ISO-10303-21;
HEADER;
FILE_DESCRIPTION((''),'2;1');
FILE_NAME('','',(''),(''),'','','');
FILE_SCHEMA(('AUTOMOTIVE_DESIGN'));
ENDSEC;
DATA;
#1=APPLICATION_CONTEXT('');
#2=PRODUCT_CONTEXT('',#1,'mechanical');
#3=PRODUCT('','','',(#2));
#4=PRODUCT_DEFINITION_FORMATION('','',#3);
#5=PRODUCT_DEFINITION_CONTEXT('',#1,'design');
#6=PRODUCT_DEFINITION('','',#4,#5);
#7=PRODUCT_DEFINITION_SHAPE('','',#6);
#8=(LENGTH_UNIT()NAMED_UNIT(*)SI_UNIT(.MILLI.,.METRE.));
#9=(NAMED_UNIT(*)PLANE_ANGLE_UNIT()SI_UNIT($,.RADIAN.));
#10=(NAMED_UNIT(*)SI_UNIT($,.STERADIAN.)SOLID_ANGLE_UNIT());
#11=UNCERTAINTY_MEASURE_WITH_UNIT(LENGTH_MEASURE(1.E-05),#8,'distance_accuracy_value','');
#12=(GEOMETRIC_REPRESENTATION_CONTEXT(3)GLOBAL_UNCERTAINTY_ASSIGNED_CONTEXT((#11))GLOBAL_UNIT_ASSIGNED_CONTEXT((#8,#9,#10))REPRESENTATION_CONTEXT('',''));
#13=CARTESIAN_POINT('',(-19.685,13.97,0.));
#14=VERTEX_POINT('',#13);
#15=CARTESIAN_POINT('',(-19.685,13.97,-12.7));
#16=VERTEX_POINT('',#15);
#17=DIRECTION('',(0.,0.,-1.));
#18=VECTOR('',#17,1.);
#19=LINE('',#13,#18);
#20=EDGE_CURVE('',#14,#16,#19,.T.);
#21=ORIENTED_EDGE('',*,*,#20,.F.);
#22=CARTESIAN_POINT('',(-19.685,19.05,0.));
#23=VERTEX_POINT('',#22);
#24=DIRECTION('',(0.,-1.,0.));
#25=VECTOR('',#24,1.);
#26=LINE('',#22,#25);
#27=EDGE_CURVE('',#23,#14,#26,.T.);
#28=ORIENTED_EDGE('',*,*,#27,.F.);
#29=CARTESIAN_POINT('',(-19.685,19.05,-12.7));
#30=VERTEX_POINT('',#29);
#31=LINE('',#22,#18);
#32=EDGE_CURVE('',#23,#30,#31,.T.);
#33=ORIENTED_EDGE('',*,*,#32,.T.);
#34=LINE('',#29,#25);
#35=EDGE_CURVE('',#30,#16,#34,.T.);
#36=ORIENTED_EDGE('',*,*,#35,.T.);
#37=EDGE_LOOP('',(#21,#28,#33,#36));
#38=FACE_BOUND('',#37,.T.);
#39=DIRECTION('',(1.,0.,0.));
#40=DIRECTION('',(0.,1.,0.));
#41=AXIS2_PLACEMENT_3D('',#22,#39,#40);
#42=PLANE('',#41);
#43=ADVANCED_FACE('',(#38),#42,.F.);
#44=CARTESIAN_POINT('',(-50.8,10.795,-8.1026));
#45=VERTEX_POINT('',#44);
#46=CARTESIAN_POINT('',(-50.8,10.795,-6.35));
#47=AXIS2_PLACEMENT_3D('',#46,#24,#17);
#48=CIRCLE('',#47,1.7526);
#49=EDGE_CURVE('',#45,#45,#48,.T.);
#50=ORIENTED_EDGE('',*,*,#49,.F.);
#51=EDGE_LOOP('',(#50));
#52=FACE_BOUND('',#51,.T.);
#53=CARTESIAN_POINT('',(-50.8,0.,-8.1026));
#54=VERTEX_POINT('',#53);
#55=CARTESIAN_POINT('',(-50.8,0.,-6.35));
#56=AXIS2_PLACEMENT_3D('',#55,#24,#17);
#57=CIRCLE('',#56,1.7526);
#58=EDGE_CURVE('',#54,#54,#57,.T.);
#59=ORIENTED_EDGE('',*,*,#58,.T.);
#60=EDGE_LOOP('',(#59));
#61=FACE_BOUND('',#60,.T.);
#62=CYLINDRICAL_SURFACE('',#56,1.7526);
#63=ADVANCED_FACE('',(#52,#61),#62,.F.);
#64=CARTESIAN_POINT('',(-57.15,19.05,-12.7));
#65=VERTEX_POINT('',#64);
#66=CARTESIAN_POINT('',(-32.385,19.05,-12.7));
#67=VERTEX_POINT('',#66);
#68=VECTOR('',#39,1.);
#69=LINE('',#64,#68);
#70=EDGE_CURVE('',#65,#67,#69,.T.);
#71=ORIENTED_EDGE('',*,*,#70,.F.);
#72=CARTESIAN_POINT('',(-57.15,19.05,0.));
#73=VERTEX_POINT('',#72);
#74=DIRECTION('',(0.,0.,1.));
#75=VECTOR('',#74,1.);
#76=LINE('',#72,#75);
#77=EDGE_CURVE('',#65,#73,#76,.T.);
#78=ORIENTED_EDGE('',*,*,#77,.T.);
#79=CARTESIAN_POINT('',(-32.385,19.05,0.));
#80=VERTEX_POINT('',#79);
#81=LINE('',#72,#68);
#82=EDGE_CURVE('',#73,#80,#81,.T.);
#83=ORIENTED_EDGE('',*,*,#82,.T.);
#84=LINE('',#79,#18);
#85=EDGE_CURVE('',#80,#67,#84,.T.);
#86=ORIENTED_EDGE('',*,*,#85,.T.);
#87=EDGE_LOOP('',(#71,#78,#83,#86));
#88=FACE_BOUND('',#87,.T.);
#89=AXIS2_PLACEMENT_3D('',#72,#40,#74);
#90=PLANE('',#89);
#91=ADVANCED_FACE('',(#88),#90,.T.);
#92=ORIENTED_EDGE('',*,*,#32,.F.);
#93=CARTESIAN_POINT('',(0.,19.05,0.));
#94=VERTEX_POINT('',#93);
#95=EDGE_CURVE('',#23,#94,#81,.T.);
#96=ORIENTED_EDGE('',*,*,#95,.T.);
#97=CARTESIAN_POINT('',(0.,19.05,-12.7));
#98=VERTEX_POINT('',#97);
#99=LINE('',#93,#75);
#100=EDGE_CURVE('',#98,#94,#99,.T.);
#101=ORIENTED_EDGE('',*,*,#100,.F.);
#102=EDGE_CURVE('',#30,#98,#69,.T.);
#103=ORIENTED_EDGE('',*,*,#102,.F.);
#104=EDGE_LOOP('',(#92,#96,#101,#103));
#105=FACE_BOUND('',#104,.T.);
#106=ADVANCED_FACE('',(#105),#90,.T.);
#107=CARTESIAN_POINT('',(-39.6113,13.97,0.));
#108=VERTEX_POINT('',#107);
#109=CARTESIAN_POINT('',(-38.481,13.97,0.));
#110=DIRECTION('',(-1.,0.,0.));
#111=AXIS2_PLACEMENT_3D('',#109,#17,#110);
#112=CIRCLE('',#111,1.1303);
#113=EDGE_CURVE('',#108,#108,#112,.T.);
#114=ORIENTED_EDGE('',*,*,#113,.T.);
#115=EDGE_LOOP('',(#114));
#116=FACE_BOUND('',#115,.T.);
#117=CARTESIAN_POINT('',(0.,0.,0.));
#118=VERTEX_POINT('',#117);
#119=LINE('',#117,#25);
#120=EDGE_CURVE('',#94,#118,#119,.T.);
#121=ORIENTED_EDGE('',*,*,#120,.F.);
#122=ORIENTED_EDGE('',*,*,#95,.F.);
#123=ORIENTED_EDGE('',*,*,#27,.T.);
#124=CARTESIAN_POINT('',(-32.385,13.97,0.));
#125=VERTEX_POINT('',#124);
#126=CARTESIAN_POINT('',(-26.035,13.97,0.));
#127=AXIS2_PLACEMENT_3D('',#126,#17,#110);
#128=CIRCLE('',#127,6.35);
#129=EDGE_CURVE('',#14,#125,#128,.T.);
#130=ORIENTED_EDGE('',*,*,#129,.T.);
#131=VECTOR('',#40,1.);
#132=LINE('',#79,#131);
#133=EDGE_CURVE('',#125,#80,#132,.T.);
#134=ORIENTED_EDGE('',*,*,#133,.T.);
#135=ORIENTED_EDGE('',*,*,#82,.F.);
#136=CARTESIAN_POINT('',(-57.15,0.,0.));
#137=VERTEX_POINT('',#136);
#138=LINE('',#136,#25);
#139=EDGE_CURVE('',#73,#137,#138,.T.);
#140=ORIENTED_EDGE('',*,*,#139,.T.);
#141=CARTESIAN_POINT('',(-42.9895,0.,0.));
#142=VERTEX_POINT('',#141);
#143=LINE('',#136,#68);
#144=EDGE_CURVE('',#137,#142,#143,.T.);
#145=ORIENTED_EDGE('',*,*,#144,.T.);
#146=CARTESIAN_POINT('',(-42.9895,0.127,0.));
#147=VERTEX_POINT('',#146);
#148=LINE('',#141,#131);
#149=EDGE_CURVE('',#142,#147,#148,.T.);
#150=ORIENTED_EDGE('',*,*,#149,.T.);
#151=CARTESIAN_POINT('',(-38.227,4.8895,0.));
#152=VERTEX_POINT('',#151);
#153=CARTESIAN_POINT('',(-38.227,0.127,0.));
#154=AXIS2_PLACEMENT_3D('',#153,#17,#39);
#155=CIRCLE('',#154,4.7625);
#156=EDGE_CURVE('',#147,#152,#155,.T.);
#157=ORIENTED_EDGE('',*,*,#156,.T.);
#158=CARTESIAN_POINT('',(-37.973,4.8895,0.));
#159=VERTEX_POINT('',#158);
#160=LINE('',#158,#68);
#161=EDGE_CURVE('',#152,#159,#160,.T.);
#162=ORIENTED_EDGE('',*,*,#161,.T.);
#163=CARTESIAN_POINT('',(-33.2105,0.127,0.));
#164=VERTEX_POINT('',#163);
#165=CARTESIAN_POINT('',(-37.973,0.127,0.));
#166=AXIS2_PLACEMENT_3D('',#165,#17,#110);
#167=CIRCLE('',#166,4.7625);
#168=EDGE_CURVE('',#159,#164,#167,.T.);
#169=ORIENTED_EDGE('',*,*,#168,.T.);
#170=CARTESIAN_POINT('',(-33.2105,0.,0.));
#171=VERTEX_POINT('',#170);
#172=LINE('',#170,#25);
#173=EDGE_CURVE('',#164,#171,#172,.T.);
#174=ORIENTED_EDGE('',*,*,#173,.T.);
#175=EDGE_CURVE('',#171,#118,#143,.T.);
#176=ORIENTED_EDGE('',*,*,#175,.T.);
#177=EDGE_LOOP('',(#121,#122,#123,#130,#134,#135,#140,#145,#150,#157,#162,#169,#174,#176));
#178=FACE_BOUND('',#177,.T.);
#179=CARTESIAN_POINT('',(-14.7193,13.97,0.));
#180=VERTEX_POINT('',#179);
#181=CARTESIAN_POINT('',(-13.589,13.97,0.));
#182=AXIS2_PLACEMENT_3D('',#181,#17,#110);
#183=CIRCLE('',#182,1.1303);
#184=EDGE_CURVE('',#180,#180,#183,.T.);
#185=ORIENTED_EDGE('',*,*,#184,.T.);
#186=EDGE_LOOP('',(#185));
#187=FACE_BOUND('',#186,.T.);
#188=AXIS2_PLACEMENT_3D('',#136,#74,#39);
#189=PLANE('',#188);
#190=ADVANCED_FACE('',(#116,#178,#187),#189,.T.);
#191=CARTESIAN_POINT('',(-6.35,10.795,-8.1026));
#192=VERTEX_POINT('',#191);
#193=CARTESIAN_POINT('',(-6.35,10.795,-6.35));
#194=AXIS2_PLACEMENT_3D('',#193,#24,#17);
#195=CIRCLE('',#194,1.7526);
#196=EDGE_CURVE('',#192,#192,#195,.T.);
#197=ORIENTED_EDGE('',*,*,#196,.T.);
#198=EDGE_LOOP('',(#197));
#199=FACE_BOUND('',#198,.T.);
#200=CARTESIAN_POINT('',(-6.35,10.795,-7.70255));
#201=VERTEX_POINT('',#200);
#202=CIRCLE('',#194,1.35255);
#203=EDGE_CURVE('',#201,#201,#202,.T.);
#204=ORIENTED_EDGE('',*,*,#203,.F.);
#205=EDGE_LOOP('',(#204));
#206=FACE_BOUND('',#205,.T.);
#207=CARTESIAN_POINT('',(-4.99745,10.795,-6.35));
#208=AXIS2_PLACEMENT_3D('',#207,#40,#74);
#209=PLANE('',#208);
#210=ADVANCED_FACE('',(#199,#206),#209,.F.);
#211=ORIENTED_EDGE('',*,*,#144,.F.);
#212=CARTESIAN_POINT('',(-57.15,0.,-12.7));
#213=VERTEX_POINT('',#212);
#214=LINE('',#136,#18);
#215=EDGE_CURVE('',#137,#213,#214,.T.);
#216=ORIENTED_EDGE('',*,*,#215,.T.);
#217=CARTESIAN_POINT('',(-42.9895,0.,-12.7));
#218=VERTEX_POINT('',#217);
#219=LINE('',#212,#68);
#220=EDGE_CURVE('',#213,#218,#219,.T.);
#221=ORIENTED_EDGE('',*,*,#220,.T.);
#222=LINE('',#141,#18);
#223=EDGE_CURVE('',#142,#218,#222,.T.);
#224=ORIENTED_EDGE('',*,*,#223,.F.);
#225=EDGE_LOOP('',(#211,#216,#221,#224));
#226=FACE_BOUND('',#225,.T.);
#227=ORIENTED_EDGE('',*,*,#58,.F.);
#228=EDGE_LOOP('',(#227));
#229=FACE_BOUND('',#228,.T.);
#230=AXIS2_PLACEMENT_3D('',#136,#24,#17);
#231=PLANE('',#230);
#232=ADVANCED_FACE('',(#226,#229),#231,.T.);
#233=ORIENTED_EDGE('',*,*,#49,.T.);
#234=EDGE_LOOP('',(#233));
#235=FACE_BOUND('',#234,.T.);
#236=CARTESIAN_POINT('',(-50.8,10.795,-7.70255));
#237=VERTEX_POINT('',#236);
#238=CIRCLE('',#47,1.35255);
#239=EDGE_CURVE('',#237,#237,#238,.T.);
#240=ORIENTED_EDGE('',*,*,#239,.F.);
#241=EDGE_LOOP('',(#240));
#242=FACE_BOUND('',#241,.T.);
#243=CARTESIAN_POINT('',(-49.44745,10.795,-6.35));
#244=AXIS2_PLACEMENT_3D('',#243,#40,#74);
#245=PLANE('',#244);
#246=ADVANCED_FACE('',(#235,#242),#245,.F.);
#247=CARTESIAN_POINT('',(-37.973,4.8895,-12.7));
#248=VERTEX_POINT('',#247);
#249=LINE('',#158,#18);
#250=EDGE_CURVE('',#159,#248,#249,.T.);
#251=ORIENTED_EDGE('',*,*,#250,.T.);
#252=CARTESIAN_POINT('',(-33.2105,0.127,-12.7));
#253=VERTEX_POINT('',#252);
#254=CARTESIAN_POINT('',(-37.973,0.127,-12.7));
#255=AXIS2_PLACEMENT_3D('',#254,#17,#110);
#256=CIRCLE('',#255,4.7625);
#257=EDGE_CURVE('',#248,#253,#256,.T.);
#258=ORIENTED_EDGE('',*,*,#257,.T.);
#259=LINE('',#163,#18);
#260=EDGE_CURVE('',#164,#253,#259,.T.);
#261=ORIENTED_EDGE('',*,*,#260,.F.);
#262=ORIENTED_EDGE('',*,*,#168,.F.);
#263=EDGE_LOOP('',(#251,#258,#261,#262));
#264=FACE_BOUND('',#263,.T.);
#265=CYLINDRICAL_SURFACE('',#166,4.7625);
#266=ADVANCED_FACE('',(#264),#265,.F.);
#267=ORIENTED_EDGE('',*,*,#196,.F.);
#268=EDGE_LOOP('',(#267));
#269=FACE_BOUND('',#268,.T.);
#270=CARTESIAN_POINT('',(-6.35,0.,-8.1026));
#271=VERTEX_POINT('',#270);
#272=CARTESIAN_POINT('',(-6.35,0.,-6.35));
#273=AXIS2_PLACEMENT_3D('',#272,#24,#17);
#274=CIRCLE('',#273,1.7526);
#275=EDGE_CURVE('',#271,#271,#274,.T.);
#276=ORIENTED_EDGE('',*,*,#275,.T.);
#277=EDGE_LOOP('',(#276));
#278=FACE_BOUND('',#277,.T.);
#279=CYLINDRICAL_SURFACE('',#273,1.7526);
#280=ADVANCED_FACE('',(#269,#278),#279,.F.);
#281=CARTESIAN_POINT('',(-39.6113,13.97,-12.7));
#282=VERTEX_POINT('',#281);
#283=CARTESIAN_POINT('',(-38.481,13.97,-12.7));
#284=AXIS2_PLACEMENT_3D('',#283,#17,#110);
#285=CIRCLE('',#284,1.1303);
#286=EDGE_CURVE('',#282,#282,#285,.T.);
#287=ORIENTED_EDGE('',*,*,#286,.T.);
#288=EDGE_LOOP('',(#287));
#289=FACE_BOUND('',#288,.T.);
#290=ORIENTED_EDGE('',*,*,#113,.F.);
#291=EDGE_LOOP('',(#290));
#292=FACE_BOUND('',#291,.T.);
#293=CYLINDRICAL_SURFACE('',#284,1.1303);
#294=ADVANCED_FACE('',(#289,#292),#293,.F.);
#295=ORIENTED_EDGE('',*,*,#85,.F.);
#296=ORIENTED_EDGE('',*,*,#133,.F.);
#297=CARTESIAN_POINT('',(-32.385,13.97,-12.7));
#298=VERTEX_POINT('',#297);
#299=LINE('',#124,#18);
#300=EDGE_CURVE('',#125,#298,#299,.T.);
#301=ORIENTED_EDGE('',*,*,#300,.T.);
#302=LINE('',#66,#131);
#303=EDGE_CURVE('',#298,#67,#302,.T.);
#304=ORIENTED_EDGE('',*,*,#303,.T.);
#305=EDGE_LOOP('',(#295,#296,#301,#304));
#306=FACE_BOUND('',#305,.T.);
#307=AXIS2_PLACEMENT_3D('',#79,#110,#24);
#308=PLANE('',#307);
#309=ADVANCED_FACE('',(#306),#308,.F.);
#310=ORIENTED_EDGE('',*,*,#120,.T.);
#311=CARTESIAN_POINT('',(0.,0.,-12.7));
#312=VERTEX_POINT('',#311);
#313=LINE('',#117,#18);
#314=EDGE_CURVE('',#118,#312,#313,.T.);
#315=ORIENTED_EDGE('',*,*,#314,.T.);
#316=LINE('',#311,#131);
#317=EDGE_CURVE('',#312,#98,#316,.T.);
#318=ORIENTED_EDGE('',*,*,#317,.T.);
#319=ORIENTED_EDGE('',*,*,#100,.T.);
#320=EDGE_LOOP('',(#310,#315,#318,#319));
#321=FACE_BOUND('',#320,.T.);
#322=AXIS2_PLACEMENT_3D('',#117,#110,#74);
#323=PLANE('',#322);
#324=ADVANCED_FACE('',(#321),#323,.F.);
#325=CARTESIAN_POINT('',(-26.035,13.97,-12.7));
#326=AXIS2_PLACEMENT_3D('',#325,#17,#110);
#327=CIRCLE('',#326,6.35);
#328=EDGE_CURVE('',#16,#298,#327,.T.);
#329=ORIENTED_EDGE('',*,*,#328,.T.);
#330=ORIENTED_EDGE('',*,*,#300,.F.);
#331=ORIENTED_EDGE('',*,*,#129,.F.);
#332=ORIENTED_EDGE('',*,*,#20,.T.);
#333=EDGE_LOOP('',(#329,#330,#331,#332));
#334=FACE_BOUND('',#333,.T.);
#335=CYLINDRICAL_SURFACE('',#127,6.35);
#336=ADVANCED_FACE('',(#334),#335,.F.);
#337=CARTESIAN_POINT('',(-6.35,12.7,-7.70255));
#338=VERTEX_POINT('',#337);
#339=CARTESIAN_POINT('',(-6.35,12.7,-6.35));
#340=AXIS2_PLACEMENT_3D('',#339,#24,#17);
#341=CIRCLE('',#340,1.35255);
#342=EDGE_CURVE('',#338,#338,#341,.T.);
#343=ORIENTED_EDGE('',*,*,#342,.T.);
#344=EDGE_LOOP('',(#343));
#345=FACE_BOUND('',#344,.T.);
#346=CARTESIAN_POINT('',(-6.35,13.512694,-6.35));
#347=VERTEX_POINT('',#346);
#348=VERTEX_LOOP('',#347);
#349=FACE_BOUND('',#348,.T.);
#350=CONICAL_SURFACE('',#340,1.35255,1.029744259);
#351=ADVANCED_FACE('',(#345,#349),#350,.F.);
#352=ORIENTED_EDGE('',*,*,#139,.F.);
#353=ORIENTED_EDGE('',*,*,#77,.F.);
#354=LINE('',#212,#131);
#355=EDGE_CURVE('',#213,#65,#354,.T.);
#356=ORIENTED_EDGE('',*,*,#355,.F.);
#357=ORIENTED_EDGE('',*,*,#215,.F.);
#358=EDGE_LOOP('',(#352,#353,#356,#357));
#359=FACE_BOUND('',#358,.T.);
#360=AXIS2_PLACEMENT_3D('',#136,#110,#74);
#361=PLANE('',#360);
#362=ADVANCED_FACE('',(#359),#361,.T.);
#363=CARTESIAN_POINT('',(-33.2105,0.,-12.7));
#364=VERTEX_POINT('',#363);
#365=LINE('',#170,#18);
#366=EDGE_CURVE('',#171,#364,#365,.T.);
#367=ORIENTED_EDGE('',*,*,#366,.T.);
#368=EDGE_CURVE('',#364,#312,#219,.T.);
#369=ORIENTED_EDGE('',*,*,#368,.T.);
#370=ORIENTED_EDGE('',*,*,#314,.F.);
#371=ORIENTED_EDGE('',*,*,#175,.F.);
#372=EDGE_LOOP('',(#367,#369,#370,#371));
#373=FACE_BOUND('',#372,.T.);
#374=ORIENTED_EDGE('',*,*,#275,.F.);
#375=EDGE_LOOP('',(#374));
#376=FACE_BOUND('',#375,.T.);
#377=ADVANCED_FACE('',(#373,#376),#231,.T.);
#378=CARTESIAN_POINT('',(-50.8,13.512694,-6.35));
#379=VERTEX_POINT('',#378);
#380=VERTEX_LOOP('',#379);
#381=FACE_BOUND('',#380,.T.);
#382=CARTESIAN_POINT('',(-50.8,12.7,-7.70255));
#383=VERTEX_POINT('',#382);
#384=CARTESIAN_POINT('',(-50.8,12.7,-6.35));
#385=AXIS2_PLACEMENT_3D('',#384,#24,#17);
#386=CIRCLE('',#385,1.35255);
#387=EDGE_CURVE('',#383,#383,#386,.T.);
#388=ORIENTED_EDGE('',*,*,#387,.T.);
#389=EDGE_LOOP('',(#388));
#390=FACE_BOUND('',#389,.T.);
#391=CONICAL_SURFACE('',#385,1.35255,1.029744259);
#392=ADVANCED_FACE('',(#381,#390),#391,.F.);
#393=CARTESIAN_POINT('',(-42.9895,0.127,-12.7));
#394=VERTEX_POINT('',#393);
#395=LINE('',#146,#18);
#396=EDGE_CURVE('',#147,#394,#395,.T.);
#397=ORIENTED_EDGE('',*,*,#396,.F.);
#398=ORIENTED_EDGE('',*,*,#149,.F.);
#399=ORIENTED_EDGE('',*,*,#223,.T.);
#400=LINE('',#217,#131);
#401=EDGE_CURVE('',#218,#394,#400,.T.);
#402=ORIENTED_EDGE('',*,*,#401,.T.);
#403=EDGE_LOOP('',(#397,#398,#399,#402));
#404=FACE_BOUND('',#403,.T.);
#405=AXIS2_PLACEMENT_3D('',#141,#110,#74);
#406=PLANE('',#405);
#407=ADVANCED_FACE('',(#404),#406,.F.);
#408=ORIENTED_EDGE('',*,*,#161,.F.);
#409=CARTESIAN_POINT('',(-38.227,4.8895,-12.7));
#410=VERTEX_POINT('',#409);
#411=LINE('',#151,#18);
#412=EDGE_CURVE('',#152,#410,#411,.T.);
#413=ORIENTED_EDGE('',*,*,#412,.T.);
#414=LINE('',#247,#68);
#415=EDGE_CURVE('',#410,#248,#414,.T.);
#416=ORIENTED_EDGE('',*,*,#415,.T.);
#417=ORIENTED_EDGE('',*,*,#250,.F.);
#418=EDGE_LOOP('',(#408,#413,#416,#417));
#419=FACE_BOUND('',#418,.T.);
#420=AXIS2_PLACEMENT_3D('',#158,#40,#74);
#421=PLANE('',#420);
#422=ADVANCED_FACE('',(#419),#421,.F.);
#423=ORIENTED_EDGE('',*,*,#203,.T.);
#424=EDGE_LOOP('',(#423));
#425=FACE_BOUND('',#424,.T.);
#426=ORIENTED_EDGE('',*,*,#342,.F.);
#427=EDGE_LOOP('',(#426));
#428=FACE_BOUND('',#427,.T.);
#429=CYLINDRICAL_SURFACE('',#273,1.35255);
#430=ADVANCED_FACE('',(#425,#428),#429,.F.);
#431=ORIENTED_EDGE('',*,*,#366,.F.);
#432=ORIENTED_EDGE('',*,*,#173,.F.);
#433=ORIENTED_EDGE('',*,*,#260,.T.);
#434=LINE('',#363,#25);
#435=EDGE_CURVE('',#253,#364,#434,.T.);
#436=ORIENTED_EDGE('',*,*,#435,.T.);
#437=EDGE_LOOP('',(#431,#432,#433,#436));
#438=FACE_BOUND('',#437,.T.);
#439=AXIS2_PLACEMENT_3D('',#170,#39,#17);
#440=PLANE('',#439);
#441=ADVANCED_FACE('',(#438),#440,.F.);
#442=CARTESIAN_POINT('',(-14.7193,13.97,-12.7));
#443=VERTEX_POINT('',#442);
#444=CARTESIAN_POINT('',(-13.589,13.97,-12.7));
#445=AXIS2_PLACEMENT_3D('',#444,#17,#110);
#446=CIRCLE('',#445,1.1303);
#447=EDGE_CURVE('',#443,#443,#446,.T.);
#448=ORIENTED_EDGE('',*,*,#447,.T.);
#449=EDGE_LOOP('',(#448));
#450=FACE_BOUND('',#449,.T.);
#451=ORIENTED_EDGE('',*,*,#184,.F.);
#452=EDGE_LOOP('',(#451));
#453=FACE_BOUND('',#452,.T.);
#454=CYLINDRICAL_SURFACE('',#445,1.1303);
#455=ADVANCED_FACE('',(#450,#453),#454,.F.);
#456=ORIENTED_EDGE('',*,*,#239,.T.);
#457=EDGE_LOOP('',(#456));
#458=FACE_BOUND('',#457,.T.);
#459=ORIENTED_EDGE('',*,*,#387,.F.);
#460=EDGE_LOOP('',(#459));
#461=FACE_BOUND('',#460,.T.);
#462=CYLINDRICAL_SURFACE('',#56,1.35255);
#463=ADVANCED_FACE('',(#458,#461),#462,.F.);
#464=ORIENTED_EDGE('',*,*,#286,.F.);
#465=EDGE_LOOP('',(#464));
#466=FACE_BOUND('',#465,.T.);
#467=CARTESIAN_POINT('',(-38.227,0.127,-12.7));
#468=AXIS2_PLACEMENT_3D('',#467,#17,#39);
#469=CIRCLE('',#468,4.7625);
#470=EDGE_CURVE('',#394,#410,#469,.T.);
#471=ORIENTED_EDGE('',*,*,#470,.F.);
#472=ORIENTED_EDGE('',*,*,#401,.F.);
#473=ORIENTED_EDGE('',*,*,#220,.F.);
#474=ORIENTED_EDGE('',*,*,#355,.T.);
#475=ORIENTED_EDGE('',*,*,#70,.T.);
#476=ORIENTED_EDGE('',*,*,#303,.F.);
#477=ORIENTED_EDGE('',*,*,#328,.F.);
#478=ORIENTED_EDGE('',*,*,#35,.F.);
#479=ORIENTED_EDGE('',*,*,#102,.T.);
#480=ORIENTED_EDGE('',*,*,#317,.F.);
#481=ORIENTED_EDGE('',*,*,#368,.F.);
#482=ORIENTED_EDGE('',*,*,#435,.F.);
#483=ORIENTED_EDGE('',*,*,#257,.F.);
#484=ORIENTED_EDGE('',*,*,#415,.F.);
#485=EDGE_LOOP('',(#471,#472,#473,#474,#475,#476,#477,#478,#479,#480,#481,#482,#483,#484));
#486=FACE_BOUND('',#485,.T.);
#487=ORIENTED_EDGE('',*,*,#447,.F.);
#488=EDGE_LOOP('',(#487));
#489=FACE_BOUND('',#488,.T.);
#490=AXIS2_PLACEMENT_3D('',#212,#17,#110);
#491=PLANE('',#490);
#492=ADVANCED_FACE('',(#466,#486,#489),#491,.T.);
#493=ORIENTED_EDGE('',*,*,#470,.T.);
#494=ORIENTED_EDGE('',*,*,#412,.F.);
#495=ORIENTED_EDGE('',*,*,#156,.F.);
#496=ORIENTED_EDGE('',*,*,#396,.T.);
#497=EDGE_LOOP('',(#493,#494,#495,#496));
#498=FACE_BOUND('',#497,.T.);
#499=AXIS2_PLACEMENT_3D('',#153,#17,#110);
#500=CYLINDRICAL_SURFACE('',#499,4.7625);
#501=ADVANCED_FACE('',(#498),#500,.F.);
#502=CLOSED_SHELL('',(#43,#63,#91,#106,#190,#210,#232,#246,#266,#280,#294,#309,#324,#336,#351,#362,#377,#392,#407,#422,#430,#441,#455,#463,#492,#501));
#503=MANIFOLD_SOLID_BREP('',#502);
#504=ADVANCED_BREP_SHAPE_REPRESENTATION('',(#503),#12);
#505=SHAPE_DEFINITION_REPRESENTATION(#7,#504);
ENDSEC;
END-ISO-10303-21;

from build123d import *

# Parameters (mm, degrees)
SKETCH1_W                       = 12.7
SKETCH1_H                       = 19.05
BOSS_EXTRUDE1_DEPTH             = 57.15
F_6_32_TAPPED_HOLE1_D           = 2.7051
F_6_32_TAPPED_HOLE1_DEPTH       = 12.7
F_6_32_TAPPED_HOLE1_CBORE_D     = 3.5052
F_6_32_TAPPED_HOLE1_CBORE_DEPTH = 10.795
F_6_32_TAPPED_HOLE1_TIP         = 0.81269403
CUT_EXTRUDE2_DEPTH              = 62.565534189
F_4_40_TAPPED_HOLE1_D           = 2.2606
CUT_EXTRUDE3_DEPTH              = 62.565534189


with BuildPart() as part:
    # Sketch1 → Boss-Extrude1 (new body)
    with BuildSketch(Plane(origin=(0, 0, 0), x_dir=(0, 0, -1), z_dir=(1, 0, 0))):
        with Locations((6.35, 9.525)):
            Rectangle(SKETCH1_W, SKETCH1_H)
    extrude(amount=-BOSS_EXTRUDE1_DEPTH)

    # #6-32 Tapped Hole1
    with Locations(Plane(origin=(23.287154444, 0, 3.188270264), x_dir=(1, 0, 0), z_dir=(0, -1, 0))):
        with Locations((-29.637154444, -9.538270264), (-74.087154444, -9.538270264)):
            CounterBoreHole(F_6_32_TAPPED_HOLE1_D / 2, F_6_32_TAPPED_HOLE1_CBORE_D / 2, F_6_32_TAPPED_HOLE1_CBORE_DEPTH, depth=F_6_32_TAPPED_HOLE1_DEPTH)
            with Locations((0, 0, -(F_6_32_TAPPED_HOLE1_DEPTH + F_6_32_TAPPED_HOLE1_TIP / 2))):  # 118° drill point
                Cone(0, F_6_32_TAPPED_HOLE1_D / 2, F_6_32_TAPPED_HOLE1_TIP, mode=Mode.SUBTRACT)

    # Sketch5 → Cut-Extrude2 (cut, through all)
    with BuildSketch(Plane(origin=(0, 0, -12.7), x_dir=(-1, 0, 0), z_dir=(0, 0, -1))):
        with BuildLine():
            Line((32.385, 19.05), (32.385, 13.97))
            ThreePointArc((32.385, 13.97), (26.035, 7.62), (19.685, 13.97))
            Line((19.685, 13.97), (19.685, 19.05))
            ThreePointArc((19.685, 19.05), (26.035, 25.4), (32.385, 19.05))
        make_face()
    extrude(amount=-CUT_EXTRUDE2_DEPTH, mode=Mode.SUBTRACT)

    # #4-40 Tapped Hole1 (through all)
    with Locations(Plane(origin=(0, 0, -12.7), x_dir=(-1, 0, 0), z_dir=(0, 0, -1))):
        with Locations((13.589, 13.97), (38.481, 13.97)):
            Hole(F_4_40_TAPPED_HOLE1_D / 2)

    # Sketch6 → Cut-Extrude3 (cut, through all)
    with BuildSketch(Plane(origin=(0, 0, -12.7), x_dir=(-1, 0, 0), z_dir=(0, 0, -1))):
        with BuildLine():
            Line((33.2105, 0), (42.9895, 0))
            Line((42.9895, 0), (42.9895, 0.127))
            ThreePointArc((42.9895, 0.127), (41.594596045, 3.494596045), (38.227, 4.8895))
            Line((38.227, 4.8895), (37.973, 4.8895))
            ThreePointArc((37.973, 4.8895), (34.605403955, 3.494596045), (33.2105, 0.127))
            Line((33.2105, 0.127), (33.2105, 0))
        make_face()
    extrude(amount=-CUT_EXTRUDE3_DEPTH, mode=Mode.SUBTRACT)


solid = part.part
